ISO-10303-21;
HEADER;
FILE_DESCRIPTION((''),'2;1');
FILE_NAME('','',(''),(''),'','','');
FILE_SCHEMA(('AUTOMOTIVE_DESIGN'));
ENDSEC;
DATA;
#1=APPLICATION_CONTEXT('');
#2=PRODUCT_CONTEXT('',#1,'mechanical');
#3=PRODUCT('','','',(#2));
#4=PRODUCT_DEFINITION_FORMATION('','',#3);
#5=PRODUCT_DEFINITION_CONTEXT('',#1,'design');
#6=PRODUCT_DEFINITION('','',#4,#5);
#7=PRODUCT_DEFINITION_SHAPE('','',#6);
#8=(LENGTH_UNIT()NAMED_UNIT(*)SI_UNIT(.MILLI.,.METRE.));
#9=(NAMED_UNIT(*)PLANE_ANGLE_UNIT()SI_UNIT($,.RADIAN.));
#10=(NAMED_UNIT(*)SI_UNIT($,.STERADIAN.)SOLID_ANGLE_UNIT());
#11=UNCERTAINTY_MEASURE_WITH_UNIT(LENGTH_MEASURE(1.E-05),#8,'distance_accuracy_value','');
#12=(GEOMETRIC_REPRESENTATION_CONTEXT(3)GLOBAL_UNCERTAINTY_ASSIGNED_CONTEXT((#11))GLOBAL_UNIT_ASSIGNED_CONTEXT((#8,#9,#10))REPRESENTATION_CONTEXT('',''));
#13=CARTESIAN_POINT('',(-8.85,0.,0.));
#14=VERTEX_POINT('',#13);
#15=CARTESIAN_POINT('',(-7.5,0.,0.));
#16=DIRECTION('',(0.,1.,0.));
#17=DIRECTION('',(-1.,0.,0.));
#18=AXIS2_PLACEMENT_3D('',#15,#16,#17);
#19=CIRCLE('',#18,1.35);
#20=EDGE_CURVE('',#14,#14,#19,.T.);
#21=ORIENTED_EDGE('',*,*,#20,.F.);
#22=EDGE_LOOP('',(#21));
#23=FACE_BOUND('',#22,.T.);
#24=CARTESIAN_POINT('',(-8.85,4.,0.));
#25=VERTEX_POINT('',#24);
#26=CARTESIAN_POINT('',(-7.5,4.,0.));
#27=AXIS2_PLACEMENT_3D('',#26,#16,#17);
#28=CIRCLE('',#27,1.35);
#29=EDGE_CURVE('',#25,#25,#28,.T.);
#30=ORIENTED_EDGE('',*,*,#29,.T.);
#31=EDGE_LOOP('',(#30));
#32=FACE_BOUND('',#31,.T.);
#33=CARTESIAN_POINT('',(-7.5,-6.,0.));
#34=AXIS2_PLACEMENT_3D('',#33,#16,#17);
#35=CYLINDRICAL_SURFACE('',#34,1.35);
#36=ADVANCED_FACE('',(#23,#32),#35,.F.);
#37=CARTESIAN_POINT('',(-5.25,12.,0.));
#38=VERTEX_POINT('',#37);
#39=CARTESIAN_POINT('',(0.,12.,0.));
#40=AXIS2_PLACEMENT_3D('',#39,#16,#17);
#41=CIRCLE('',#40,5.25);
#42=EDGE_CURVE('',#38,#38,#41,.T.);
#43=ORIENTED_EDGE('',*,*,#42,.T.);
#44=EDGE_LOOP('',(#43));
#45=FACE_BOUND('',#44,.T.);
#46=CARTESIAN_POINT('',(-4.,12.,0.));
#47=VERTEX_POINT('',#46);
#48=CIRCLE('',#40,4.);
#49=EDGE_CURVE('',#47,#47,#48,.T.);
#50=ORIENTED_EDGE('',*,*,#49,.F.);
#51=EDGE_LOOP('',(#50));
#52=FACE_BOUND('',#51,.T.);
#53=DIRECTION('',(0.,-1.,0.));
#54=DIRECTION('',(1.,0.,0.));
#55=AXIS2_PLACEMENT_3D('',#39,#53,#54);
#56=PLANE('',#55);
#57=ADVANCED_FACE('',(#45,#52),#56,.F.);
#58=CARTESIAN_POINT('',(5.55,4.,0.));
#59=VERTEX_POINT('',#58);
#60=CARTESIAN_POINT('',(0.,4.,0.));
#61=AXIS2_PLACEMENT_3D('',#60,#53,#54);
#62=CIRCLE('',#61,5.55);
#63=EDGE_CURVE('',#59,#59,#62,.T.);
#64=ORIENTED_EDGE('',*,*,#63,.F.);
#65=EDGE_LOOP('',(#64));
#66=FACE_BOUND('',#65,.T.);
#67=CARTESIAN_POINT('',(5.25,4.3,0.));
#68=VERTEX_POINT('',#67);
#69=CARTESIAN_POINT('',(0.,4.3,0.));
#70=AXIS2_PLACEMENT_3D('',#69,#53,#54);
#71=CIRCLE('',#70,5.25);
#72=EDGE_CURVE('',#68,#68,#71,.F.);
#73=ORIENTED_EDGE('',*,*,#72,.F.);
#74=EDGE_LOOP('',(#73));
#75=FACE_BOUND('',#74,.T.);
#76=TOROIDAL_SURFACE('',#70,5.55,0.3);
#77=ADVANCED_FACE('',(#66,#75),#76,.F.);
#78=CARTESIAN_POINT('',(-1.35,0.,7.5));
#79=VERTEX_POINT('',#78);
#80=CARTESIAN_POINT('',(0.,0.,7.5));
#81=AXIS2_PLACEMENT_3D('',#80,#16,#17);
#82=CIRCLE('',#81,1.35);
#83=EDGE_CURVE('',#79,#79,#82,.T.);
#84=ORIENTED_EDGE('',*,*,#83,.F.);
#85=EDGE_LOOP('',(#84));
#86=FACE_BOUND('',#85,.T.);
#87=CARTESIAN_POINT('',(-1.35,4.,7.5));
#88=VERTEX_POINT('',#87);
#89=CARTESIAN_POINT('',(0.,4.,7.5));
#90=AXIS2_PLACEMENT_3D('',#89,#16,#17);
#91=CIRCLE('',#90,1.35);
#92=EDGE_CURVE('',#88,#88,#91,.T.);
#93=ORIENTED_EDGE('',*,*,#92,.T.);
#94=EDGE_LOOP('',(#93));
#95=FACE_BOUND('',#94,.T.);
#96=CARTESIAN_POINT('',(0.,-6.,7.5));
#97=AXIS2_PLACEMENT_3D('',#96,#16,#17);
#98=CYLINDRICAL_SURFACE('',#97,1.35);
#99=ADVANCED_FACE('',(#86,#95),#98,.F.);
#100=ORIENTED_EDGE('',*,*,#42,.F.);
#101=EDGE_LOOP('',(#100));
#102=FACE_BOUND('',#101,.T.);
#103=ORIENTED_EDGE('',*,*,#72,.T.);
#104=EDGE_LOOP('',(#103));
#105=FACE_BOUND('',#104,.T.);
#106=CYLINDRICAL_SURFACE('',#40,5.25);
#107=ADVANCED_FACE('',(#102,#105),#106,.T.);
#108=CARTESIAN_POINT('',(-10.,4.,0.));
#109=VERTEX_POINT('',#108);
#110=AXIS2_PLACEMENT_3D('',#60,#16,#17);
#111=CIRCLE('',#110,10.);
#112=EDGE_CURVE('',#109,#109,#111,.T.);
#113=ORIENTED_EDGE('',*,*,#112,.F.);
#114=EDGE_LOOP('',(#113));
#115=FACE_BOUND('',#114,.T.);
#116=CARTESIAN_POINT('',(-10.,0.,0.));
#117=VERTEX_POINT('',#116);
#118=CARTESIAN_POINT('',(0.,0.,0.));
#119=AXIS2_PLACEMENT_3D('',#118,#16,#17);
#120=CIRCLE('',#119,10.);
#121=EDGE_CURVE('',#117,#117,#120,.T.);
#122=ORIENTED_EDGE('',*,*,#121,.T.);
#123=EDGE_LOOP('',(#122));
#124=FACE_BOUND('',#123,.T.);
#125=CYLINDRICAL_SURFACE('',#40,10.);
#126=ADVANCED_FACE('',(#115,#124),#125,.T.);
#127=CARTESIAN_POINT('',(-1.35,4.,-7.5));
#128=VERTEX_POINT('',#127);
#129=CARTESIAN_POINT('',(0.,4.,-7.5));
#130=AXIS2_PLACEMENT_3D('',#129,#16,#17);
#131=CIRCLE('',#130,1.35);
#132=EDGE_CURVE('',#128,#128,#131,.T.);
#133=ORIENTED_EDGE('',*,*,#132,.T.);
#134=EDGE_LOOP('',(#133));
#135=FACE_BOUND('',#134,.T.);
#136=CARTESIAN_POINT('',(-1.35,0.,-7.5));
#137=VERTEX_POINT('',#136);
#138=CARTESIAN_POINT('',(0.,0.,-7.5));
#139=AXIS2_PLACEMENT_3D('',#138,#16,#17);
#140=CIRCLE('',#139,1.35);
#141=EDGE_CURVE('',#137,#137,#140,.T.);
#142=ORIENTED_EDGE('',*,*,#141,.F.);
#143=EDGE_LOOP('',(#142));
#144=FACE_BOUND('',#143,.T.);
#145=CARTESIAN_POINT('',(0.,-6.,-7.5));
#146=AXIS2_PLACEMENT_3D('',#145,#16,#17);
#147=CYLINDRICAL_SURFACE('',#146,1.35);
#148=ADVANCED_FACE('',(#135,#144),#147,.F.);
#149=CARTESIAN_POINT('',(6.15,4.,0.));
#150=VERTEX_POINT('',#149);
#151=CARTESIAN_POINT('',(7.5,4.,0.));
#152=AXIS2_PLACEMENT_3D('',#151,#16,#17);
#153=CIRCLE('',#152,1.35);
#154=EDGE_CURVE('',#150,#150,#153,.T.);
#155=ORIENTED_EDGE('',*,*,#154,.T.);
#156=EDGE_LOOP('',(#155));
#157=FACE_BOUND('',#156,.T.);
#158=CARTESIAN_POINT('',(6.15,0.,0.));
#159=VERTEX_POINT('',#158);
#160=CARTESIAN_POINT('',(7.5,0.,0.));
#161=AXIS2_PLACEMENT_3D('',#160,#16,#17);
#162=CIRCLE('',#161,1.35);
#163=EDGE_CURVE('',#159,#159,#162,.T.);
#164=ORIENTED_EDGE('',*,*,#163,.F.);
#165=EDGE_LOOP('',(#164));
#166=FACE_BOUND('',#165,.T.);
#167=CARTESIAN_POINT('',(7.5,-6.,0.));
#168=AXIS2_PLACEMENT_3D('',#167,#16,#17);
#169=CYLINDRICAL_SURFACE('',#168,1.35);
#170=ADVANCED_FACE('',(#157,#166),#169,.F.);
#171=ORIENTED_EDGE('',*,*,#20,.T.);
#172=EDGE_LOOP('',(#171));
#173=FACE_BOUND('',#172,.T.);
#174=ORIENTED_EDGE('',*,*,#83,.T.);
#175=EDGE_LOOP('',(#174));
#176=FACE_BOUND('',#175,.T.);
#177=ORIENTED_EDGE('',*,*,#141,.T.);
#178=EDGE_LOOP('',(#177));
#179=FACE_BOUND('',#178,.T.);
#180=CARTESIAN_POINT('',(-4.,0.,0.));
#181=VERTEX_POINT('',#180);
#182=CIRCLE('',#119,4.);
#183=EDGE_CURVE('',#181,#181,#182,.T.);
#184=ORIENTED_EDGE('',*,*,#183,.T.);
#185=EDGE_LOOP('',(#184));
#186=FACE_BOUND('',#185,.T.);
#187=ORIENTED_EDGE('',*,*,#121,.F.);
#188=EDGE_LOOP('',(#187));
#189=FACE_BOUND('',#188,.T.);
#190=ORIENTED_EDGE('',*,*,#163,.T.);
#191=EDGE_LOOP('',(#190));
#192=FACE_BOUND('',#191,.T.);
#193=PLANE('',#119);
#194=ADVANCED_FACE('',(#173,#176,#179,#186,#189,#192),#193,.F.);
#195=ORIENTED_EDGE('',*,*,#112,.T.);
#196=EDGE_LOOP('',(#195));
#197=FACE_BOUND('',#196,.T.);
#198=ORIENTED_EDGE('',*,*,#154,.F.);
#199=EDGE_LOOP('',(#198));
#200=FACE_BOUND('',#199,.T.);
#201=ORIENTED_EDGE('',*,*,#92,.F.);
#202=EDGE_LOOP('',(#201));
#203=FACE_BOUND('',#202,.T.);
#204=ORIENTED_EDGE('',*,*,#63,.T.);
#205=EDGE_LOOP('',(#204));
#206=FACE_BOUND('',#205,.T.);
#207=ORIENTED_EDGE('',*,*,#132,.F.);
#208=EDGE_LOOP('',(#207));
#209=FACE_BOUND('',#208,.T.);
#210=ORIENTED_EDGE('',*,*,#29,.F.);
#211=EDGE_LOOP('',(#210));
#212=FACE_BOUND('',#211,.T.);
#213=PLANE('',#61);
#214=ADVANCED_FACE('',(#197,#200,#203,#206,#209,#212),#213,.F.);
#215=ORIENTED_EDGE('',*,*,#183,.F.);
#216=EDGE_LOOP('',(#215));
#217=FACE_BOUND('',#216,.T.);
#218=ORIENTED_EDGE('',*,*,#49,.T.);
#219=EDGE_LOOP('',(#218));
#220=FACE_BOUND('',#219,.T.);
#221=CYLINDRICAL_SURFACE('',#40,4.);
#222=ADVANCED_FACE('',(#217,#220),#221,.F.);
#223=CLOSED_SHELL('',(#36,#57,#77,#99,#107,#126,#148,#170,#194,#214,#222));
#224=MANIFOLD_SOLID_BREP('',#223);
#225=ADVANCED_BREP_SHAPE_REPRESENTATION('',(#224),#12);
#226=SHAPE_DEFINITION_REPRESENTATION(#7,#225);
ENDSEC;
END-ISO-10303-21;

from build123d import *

# Parameters (mm, degrees)
SKETCH3_R          = 1.35
CUT_EXTRUDE1_DEPTH = 10
FILLET1_R          = 0.3


with BuildPart() as part:
    # Sketch2 → Revolve1 (revolve)
    with BuildSketch(Plane.XY, mode=Mode.PRIVATE) as revolve1_sk:
        Polygon((4, 12), (4, 0), (10, 0), (10, 4), (5.25, 4), (5.25, 12), align=None)
    revolve(revolve1_sk.sketch.rotate(Axis((0, 12, 0), (0, -1, 0)), 180), axis=Axis((0, 12, 0), (0, -1, 0)))

    # Sketch3 → Cut-Extrude1 (cut)
    with BuildSketch(Plane(origin=(0, 4, 0), x_dir=(1, 0, 0), z_dir=(0, 1, 0))):
        with Locations(Location((7.5, 0, 0), (0, 0, 180))):
            Circle(SKETCH3_R)
        with Locations(Location((0, -7.5, 0), (0, 0, 180))):
            Circle(SKETCH3_R)
        with Locations(Location((-7.5, 0, 0), (0, 0, 180))):
            Circle(SKETCH3_R)
        with Locations(Location((0, 7.5, 0), (0, 0, 180))):
            Circle(SKETCH3_R)
    extrude(amount=-CUT_EXTRUDE1_DEPTH, mode=Mode.SUBTRACT)

    # Fillet1
    fillet1_edges = [part.edges().sort_by_distance(p)[0] for p in [
        (5.25, 4, 0),
    ]]
    fillet(fillet1_edges, radius=FILLET1_R)


solid = part.part
